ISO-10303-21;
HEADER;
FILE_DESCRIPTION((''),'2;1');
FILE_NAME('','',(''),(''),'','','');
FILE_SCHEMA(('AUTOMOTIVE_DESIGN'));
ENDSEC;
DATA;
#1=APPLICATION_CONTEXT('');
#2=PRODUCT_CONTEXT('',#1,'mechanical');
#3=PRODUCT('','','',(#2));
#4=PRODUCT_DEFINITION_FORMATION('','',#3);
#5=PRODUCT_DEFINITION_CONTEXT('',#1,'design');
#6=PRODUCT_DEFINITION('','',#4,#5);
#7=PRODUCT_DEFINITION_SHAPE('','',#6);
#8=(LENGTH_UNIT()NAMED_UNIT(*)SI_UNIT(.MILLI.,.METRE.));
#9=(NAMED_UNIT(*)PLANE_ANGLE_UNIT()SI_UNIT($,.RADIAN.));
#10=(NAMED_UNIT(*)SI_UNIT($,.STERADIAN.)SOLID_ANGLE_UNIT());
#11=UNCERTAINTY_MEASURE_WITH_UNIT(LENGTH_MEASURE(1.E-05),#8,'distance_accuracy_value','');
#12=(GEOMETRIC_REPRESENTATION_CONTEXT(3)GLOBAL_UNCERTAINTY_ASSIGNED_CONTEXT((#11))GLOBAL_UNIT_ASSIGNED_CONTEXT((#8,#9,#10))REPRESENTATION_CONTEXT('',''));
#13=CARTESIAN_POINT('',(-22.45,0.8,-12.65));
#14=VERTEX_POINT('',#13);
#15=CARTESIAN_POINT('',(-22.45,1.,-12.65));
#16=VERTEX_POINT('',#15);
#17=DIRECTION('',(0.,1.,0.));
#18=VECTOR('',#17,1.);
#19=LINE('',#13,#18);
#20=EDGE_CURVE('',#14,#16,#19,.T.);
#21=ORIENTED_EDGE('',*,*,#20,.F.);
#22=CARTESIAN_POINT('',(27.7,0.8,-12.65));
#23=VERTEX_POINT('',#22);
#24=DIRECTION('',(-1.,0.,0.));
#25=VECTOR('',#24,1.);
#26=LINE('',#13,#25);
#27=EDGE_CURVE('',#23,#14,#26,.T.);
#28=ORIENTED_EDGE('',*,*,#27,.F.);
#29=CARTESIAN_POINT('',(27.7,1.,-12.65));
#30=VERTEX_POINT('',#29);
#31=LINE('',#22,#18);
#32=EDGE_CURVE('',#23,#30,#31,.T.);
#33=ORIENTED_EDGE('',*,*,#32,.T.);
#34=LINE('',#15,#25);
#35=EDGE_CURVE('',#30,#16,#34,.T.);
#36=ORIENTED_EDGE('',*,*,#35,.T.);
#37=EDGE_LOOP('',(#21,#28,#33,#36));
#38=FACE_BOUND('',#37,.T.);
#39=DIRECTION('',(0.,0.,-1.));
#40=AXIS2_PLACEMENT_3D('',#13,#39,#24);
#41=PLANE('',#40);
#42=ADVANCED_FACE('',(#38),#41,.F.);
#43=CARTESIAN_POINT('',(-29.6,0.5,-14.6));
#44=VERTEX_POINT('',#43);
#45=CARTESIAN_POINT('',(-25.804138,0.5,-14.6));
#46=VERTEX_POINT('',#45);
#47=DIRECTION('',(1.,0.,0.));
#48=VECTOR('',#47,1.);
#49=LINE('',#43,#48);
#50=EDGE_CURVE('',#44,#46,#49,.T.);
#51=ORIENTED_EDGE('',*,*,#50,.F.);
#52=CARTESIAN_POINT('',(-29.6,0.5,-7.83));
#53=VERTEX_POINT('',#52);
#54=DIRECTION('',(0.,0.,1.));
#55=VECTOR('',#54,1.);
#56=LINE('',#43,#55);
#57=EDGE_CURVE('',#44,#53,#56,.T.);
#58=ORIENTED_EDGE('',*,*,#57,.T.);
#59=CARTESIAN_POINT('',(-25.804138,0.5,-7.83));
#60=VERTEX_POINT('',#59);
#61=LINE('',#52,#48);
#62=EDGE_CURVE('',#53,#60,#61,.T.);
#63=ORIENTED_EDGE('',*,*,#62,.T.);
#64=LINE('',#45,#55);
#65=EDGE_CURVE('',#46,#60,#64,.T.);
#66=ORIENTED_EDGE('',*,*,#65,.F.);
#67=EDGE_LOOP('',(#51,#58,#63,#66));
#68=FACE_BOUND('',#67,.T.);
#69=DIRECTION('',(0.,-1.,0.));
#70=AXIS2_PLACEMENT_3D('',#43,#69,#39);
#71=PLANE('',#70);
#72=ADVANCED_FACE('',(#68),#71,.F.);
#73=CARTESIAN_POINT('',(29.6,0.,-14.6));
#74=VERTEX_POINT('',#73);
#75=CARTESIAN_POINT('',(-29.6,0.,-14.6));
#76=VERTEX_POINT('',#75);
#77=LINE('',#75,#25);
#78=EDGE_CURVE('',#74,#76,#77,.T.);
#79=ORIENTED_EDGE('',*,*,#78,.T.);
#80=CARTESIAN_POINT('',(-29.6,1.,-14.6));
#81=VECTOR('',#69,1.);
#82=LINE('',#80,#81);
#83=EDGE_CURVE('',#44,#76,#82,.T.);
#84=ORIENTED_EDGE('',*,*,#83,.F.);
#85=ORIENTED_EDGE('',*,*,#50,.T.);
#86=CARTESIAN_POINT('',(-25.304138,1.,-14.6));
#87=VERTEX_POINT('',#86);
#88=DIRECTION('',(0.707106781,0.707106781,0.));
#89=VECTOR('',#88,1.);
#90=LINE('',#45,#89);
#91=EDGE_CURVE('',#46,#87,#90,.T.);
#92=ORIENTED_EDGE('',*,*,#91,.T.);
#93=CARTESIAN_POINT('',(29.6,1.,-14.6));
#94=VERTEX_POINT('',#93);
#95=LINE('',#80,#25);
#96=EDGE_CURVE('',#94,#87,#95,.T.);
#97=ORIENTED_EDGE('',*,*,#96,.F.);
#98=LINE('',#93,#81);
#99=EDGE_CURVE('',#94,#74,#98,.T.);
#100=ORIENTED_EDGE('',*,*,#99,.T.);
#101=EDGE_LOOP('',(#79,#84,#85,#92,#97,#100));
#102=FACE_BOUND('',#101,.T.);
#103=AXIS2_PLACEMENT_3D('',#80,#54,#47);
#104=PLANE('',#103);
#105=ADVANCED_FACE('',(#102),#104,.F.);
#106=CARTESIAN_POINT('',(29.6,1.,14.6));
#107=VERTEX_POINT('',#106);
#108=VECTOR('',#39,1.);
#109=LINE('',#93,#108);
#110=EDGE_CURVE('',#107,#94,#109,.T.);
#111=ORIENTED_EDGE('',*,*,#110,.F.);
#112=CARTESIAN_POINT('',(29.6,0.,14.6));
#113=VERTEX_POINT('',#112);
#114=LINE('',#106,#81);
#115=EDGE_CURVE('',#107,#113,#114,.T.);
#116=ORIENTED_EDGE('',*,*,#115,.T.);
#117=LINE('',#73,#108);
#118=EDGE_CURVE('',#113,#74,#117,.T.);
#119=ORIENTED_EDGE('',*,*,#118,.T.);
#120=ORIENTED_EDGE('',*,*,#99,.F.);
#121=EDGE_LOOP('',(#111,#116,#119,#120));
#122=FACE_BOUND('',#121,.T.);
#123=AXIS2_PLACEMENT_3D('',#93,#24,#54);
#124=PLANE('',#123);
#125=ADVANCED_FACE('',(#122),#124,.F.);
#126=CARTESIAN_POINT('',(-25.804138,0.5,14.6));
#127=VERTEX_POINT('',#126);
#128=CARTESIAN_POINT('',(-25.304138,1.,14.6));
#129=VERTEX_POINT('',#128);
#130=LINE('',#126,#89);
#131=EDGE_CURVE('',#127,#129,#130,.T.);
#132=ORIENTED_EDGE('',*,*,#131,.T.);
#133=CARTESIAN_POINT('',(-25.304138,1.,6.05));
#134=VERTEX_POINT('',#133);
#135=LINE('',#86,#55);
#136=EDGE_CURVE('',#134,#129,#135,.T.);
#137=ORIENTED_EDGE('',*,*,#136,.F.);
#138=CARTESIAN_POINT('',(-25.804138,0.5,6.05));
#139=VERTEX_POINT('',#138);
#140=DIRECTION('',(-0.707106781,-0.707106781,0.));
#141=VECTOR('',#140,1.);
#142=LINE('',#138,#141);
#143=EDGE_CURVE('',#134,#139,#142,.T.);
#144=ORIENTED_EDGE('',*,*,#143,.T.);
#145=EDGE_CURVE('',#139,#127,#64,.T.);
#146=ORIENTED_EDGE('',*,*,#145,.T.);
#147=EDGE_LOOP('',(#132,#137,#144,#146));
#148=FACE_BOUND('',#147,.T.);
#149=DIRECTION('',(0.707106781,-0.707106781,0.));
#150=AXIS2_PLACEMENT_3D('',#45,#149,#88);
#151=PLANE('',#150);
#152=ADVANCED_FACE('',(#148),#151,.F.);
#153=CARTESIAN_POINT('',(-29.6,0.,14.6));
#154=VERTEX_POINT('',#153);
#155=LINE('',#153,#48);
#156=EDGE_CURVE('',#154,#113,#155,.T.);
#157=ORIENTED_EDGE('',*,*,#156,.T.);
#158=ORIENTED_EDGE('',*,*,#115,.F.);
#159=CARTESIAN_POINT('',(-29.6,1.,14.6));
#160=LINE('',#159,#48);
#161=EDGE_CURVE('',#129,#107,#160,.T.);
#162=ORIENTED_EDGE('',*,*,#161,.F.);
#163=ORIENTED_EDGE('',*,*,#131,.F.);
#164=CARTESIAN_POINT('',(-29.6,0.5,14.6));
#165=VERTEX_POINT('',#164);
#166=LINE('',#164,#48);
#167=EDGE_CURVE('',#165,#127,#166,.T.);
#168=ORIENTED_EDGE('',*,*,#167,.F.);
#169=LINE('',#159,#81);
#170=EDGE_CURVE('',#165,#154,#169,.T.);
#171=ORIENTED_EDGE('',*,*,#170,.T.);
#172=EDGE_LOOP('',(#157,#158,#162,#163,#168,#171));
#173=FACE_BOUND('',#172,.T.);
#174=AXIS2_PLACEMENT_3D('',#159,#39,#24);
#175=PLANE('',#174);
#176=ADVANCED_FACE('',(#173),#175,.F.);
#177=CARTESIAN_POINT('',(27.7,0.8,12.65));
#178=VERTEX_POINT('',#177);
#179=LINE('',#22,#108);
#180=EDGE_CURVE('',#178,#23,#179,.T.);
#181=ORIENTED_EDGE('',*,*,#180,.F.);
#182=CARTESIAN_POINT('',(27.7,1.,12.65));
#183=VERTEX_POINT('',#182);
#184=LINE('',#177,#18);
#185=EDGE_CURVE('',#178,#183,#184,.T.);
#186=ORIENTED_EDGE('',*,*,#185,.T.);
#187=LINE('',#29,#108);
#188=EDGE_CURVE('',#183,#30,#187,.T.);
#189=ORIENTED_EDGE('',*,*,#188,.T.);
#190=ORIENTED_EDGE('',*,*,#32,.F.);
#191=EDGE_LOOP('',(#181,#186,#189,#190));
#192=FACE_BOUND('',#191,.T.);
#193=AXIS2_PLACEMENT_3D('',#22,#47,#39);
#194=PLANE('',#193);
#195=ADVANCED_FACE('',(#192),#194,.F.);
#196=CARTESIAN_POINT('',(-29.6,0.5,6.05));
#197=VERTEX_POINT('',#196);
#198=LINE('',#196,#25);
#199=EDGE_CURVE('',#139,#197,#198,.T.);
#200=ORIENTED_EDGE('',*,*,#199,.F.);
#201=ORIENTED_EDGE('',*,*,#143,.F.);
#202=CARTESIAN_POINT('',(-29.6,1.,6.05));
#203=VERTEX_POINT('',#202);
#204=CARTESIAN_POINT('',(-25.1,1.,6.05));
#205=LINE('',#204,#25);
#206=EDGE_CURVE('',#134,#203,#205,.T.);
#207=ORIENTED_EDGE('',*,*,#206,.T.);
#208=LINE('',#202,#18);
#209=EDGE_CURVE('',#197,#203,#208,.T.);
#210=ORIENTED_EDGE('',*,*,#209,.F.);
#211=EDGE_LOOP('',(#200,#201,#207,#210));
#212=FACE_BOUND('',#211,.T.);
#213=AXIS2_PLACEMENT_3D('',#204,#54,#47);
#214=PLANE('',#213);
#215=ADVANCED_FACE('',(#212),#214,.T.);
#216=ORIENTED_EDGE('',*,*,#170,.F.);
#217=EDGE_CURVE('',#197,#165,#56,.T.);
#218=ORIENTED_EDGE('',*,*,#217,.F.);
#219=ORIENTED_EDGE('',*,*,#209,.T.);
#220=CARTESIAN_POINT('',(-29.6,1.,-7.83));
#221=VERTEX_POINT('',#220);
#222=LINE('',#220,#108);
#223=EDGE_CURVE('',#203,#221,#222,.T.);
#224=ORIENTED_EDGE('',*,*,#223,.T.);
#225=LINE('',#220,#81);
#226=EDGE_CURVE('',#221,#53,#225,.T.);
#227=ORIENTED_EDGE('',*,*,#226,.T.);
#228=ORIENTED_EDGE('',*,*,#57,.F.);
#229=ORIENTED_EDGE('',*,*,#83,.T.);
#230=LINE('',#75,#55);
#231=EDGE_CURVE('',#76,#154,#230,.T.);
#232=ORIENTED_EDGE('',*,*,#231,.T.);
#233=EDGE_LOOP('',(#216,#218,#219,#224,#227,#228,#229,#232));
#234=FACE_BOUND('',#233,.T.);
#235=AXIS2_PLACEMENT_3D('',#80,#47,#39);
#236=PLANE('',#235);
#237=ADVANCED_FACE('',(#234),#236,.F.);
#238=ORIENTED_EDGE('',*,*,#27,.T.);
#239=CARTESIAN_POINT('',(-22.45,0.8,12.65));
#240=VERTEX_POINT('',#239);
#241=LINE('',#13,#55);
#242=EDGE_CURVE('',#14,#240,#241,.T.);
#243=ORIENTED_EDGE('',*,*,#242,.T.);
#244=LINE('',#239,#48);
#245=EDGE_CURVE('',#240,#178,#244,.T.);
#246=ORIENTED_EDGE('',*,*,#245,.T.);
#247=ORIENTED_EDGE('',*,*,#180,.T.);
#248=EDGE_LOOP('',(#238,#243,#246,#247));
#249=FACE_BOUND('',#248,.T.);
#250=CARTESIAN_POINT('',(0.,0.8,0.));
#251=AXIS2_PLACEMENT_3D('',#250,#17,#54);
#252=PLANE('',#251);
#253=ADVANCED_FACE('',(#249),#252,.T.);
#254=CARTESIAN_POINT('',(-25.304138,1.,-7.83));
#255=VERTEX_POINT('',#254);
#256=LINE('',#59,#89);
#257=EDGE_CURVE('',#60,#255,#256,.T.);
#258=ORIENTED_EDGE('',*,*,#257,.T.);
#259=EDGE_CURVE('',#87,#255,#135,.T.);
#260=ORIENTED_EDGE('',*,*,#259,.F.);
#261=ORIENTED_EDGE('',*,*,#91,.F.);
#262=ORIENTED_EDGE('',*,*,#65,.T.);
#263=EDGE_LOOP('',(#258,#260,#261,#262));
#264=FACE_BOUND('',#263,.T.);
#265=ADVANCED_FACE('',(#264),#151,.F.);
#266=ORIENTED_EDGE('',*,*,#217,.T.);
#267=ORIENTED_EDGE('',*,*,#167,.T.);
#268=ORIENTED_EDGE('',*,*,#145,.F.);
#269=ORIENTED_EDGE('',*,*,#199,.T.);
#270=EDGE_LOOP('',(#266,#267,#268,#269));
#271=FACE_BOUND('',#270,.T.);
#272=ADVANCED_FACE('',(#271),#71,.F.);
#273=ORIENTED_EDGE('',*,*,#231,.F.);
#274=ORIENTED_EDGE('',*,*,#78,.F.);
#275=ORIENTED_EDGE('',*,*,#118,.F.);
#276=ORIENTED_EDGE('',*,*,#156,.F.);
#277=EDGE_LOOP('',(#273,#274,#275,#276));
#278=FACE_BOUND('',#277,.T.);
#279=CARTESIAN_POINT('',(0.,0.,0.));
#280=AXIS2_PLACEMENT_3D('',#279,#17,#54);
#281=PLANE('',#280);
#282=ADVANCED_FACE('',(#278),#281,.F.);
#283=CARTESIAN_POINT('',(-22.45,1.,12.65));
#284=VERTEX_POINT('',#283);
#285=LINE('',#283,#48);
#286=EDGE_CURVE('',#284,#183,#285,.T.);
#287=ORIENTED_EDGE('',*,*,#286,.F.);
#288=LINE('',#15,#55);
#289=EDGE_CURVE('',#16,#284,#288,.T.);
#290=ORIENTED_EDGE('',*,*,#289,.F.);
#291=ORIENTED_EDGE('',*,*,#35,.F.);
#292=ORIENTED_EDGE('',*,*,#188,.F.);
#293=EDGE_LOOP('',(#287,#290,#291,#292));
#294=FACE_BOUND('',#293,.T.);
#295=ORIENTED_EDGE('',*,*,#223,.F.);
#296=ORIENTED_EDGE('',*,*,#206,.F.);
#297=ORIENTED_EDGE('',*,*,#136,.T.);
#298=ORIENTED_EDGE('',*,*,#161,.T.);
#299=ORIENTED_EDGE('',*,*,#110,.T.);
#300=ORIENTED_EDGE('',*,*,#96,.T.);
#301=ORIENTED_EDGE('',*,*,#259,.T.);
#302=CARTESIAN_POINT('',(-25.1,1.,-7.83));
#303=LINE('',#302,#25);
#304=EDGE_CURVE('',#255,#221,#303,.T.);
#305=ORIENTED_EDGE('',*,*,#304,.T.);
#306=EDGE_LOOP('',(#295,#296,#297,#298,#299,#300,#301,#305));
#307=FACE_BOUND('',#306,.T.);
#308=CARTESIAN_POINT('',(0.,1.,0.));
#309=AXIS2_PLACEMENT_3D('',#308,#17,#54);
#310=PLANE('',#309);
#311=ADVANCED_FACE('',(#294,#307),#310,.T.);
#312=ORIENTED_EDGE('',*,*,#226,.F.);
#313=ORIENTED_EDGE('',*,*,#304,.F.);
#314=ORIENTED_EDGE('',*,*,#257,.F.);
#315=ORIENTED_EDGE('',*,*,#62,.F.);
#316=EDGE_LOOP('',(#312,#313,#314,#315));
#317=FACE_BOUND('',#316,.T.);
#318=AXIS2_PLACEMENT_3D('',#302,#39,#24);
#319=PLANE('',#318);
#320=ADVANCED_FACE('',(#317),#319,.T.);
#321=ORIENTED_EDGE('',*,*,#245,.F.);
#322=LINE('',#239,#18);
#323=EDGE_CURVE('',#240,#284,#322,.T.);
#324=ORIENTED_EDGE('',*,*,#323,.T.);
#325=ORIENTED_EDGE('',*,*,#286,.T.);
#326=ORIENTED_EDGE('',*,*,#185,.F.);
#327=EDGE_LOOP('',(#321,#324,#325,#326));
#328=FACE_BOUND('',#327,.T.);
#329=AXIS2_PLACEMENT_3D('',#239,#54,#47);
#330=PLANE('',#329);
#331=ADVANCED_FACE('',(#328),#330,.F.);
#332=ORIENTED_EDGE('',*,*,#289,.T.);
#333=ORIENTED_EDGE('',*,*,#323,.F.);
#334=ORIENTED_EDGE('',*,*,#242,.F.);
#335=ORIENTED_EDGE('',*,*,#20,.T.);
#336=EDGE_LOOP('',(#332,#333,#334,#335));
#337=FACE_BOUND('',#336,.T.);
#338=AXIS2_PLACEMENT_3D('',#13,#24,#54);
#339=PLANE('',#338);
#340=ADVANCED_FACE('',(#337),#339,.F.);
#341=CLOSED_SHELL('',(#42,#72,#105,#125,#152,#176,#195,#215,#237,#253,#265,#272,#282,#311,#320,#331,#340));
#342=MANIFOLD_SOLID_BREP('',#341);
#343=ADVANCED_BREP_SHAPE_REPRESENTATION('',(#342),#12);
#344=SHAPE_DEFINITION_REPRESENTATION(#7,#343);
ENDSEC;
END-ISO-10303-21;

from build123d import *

# Parameters (mm, degrees)
SKETCH1_W           = 59.2
SKETCH1_H           = 29.2
BOSS_EXTRUDE1_DEPTH = 1
SKETCH2_W           = 50.15
SKETCH2_H           = 25.3
CUT_EXTRUDE1_DEPTH  = 0.2
CUT_EXTRUDE2_DEPTH  = 42.590864381
SKETCH4_W           = 13.88
SKETCH4_H           = 0.707068884
BOSS_EXTRUDE2_DEPTH = 4.5


with BuildPart() as part:
    # Sketch1 → Boss-Extrude1 (new body)
    with BuildSketch(Plane(origin=(0, 0, 0), x_dir=(1, 0, 0), z_dir=(0, 1, 0))):
        Rectangle(SKETCH1_W, SKETCH1_H)
    extrude(amount=BOSS_EXTRUDE1_DEPTH)

    # Sketch2 → Cut-Extrude1 (cut)
    with BuildSketch(Plane(origin=(0, 1, 0), x_dir=(1, 0, 0), z_dir=(0, 1, 0))):
        with Locations((2.625, 0)):
            Rectangle(SKETCH2_W, SKETCH2_H)
    extrude(amount=-CUT_EXTRUDE1_DEPTH, mode=Mode.SUBTRACT)

    # Sketch3 → Cut-Extrude2 (cut, through all)
    with BuildSketch(Plane.XY.offset(14.6)):
        Polygon((-29.6, 0.5), (-25.80413761, 0.5), (-25.30413761, 1), (-29.6, 1), align=None)
    extrude(amount=-CUT_EXTRUDE2_DEPTH, mode=Mode.SUBTRACT)

    # Sketch4 → Boss-Extrude2 (add)
    with BuildSketch(Plane.ZY.offset(29.6)):
        with Locations((-0.89, 0.646465558)):
            Rectangle(SKETCH4_W, SKETCH4_H)
    extrude(amount=-BOSS_EXTRUDE2_DEPTH)


solid = part.part
